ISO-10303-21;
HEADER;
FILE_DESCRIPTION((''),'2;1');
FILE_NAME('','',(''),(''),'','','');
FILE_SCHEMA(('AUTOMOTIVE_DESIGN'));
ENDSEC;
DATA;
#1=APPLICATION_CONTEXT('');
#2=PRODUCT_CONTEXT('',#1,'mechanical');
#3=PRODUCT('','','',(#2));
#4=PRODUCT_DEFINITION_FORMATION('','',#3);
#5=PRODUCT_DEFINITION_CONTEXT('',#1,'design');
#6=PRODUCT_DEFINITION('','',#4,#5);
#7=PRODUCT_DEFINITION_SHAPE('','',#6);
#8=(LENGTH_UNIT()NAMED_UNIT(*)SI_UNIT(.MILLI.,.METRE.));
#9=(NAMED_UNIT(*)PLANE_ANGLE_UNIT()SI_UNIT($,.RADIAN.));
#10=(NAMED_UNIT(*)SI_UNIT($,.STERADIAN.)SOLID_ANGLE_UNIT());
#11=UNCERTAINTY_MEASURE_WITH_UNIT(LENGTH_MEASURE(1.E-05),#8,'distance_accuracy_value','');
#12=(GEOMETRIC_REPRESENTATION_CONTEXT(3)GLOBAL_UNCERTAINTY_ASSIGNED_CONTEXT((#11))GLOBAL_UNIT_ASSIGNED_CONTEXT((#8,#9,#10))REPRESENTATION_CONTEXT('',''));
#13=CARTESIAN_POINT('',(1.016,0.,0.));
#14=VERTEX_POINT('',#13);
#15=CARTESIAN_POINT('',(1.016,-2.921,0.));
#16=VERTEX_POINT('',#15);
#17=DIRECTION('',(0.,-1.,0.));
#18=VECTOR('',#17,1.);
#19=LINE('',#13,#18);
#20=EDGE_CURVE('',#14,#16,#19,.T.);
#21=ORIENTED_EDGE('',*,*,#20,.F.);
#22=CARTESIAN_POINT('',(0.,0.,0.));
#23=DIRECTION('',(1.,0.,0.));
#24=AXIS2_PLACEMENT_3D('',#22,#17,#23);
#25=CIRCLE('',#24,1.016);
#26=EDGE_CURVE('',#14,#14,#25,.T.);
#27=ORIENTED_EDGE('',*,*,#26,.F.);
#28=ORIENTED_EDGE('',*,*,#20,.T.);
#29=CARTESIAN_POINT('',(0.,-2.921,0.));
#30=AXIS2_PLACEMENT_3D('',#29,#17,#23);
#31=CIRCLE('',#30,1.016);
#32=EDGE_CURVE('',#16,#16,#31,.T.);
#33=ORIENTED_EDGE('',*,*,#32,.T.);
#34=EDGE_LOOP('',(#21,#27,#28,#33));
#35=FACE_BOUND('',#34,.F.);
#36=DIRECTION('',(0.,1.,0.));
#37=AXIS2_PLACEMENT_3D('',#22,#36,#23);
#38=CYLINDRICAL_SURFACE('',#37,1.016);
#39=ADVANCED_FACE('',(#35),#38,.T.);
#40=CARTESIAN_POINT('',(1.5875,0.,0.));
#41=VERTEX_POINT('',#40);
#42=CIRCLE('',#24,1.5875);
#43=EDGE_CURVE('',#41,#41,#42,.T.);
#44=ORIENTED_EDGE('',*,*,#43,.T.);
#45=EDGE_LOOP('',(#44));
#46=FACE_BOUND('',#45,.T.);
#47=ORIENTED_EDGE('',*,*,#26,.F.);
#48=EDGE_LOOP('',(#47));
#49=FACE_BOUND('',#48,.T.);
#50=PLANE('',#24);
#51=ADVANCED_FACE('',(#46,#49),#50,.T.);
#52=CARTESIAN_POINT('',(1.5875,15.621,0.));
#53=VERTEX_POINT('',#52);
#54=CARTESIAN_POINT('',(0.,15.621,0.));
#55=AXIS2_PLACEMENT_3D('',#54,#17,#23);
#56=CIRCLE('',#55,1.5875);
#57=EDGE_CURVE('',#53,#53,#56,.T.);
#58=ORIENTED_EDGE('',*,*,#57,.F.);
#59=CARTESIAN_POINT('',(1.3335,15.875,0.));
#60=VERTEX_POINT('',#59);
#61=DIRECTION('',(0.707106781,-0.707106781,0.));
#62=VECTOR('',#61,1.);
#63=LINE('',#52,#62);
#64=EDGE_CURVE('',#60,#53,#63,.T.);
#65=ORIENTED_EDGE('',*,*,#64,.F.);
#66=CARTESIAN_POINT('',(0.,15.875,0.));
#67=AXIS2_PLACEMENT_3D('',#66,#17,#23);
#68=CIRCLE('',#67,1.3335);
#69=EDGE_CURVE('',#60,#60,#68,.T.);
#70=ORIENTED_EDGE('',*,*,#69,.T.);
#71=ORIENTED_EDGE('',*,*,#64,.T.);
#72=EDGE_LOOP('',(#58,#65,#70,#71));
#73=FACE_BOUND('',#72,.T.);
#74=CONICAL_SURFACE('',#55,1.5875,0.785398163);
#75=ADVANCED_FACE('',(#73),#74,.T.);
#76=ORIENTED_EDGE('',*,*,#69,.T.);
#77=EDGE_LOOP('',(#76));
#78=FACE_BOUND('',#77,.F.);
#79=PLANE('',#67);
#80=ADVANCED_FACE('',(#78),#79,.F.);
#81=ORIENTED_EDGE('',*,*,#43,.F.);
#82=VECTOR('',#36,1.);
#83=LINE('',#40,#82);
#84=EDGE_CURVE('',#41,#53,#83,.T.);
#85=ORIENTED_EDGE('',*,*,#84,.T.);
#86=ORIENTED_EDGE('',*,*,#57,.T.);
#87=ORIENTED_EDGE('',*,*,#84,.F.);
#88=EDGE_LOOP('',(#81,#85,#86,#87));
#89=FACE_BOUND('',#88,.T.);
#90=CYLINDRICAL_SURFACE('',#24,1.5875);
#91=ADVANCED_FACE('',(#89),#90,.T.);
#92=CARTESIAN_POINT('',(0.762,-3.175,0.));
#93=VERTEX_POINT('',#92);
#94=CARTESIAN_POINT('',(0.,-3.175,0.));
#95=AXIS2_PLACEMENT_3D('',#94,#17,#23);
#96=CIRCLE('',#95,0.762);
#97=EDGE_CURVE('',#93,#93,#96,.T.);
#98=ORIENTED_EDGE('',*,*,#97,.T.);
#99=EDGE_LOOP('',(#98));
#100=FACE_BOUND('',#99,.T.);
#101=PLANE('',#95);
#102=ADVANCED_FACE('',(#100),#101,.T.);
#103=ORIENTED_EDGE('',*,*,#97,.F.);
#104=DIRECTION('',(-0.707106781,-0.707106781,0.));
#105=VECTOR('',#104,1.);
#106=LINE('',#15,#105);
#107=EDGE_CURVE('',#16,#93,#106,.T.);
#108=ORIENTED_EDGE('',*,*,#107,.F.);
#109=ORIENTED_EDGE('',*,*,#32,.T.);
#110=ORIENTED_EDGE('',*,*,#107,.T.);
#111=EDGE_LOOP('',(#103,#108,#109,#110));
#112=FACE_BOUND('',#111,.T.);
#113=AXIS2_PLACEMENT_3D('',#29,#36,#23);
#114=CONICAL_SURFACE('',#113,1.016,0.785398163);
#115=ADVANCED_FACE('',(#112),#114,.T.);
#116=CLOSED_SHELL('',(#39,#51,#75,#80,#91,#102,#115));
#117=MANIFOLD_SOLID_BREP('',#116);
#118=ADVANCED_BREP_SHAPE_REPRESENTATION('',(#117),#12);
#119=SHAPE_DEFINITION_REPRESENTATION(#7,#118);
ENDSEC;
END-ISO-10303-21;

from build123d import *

# Parameters (mm, degrees)
F0_R          = 1.5875
F0_R_2        = 1.016
F1_DEPTH      = 15.875
F2_DEPTH      = 3.175
F2_DEPTH_BACK = 15.875
F3_SIZE       = 0.254


with BuildPart() as f1:
    # F0 (on Front) → F1 (new body)
    with BuildSketch(Plane.XZ):
        Circle(F0_R)
        Circle(F0_R_2, mode=Mode.SUBTRACT)
    extrude(amount=-F1_DEPTH)

    # F0 (on Front) → F2 (join, two sides)
    with BuildSketch(Plane.XZ) as f2_sk:
        Circle(F0_R_2)
    extrude(amount=F2_DEPTH)
    extrude(f2_sk.sketch, amount=-F2_DEPTH_BACK)

    # F3
    f3_edges = [f1.edges().sort_by_distance(p)[0] for p in [
        (-1.5875, 15.875, 0),
        (-1.016, -3.175, 0),
    ]]
    chamfer(f3_edges, length=F3_SIZE)


solid = f1.part
